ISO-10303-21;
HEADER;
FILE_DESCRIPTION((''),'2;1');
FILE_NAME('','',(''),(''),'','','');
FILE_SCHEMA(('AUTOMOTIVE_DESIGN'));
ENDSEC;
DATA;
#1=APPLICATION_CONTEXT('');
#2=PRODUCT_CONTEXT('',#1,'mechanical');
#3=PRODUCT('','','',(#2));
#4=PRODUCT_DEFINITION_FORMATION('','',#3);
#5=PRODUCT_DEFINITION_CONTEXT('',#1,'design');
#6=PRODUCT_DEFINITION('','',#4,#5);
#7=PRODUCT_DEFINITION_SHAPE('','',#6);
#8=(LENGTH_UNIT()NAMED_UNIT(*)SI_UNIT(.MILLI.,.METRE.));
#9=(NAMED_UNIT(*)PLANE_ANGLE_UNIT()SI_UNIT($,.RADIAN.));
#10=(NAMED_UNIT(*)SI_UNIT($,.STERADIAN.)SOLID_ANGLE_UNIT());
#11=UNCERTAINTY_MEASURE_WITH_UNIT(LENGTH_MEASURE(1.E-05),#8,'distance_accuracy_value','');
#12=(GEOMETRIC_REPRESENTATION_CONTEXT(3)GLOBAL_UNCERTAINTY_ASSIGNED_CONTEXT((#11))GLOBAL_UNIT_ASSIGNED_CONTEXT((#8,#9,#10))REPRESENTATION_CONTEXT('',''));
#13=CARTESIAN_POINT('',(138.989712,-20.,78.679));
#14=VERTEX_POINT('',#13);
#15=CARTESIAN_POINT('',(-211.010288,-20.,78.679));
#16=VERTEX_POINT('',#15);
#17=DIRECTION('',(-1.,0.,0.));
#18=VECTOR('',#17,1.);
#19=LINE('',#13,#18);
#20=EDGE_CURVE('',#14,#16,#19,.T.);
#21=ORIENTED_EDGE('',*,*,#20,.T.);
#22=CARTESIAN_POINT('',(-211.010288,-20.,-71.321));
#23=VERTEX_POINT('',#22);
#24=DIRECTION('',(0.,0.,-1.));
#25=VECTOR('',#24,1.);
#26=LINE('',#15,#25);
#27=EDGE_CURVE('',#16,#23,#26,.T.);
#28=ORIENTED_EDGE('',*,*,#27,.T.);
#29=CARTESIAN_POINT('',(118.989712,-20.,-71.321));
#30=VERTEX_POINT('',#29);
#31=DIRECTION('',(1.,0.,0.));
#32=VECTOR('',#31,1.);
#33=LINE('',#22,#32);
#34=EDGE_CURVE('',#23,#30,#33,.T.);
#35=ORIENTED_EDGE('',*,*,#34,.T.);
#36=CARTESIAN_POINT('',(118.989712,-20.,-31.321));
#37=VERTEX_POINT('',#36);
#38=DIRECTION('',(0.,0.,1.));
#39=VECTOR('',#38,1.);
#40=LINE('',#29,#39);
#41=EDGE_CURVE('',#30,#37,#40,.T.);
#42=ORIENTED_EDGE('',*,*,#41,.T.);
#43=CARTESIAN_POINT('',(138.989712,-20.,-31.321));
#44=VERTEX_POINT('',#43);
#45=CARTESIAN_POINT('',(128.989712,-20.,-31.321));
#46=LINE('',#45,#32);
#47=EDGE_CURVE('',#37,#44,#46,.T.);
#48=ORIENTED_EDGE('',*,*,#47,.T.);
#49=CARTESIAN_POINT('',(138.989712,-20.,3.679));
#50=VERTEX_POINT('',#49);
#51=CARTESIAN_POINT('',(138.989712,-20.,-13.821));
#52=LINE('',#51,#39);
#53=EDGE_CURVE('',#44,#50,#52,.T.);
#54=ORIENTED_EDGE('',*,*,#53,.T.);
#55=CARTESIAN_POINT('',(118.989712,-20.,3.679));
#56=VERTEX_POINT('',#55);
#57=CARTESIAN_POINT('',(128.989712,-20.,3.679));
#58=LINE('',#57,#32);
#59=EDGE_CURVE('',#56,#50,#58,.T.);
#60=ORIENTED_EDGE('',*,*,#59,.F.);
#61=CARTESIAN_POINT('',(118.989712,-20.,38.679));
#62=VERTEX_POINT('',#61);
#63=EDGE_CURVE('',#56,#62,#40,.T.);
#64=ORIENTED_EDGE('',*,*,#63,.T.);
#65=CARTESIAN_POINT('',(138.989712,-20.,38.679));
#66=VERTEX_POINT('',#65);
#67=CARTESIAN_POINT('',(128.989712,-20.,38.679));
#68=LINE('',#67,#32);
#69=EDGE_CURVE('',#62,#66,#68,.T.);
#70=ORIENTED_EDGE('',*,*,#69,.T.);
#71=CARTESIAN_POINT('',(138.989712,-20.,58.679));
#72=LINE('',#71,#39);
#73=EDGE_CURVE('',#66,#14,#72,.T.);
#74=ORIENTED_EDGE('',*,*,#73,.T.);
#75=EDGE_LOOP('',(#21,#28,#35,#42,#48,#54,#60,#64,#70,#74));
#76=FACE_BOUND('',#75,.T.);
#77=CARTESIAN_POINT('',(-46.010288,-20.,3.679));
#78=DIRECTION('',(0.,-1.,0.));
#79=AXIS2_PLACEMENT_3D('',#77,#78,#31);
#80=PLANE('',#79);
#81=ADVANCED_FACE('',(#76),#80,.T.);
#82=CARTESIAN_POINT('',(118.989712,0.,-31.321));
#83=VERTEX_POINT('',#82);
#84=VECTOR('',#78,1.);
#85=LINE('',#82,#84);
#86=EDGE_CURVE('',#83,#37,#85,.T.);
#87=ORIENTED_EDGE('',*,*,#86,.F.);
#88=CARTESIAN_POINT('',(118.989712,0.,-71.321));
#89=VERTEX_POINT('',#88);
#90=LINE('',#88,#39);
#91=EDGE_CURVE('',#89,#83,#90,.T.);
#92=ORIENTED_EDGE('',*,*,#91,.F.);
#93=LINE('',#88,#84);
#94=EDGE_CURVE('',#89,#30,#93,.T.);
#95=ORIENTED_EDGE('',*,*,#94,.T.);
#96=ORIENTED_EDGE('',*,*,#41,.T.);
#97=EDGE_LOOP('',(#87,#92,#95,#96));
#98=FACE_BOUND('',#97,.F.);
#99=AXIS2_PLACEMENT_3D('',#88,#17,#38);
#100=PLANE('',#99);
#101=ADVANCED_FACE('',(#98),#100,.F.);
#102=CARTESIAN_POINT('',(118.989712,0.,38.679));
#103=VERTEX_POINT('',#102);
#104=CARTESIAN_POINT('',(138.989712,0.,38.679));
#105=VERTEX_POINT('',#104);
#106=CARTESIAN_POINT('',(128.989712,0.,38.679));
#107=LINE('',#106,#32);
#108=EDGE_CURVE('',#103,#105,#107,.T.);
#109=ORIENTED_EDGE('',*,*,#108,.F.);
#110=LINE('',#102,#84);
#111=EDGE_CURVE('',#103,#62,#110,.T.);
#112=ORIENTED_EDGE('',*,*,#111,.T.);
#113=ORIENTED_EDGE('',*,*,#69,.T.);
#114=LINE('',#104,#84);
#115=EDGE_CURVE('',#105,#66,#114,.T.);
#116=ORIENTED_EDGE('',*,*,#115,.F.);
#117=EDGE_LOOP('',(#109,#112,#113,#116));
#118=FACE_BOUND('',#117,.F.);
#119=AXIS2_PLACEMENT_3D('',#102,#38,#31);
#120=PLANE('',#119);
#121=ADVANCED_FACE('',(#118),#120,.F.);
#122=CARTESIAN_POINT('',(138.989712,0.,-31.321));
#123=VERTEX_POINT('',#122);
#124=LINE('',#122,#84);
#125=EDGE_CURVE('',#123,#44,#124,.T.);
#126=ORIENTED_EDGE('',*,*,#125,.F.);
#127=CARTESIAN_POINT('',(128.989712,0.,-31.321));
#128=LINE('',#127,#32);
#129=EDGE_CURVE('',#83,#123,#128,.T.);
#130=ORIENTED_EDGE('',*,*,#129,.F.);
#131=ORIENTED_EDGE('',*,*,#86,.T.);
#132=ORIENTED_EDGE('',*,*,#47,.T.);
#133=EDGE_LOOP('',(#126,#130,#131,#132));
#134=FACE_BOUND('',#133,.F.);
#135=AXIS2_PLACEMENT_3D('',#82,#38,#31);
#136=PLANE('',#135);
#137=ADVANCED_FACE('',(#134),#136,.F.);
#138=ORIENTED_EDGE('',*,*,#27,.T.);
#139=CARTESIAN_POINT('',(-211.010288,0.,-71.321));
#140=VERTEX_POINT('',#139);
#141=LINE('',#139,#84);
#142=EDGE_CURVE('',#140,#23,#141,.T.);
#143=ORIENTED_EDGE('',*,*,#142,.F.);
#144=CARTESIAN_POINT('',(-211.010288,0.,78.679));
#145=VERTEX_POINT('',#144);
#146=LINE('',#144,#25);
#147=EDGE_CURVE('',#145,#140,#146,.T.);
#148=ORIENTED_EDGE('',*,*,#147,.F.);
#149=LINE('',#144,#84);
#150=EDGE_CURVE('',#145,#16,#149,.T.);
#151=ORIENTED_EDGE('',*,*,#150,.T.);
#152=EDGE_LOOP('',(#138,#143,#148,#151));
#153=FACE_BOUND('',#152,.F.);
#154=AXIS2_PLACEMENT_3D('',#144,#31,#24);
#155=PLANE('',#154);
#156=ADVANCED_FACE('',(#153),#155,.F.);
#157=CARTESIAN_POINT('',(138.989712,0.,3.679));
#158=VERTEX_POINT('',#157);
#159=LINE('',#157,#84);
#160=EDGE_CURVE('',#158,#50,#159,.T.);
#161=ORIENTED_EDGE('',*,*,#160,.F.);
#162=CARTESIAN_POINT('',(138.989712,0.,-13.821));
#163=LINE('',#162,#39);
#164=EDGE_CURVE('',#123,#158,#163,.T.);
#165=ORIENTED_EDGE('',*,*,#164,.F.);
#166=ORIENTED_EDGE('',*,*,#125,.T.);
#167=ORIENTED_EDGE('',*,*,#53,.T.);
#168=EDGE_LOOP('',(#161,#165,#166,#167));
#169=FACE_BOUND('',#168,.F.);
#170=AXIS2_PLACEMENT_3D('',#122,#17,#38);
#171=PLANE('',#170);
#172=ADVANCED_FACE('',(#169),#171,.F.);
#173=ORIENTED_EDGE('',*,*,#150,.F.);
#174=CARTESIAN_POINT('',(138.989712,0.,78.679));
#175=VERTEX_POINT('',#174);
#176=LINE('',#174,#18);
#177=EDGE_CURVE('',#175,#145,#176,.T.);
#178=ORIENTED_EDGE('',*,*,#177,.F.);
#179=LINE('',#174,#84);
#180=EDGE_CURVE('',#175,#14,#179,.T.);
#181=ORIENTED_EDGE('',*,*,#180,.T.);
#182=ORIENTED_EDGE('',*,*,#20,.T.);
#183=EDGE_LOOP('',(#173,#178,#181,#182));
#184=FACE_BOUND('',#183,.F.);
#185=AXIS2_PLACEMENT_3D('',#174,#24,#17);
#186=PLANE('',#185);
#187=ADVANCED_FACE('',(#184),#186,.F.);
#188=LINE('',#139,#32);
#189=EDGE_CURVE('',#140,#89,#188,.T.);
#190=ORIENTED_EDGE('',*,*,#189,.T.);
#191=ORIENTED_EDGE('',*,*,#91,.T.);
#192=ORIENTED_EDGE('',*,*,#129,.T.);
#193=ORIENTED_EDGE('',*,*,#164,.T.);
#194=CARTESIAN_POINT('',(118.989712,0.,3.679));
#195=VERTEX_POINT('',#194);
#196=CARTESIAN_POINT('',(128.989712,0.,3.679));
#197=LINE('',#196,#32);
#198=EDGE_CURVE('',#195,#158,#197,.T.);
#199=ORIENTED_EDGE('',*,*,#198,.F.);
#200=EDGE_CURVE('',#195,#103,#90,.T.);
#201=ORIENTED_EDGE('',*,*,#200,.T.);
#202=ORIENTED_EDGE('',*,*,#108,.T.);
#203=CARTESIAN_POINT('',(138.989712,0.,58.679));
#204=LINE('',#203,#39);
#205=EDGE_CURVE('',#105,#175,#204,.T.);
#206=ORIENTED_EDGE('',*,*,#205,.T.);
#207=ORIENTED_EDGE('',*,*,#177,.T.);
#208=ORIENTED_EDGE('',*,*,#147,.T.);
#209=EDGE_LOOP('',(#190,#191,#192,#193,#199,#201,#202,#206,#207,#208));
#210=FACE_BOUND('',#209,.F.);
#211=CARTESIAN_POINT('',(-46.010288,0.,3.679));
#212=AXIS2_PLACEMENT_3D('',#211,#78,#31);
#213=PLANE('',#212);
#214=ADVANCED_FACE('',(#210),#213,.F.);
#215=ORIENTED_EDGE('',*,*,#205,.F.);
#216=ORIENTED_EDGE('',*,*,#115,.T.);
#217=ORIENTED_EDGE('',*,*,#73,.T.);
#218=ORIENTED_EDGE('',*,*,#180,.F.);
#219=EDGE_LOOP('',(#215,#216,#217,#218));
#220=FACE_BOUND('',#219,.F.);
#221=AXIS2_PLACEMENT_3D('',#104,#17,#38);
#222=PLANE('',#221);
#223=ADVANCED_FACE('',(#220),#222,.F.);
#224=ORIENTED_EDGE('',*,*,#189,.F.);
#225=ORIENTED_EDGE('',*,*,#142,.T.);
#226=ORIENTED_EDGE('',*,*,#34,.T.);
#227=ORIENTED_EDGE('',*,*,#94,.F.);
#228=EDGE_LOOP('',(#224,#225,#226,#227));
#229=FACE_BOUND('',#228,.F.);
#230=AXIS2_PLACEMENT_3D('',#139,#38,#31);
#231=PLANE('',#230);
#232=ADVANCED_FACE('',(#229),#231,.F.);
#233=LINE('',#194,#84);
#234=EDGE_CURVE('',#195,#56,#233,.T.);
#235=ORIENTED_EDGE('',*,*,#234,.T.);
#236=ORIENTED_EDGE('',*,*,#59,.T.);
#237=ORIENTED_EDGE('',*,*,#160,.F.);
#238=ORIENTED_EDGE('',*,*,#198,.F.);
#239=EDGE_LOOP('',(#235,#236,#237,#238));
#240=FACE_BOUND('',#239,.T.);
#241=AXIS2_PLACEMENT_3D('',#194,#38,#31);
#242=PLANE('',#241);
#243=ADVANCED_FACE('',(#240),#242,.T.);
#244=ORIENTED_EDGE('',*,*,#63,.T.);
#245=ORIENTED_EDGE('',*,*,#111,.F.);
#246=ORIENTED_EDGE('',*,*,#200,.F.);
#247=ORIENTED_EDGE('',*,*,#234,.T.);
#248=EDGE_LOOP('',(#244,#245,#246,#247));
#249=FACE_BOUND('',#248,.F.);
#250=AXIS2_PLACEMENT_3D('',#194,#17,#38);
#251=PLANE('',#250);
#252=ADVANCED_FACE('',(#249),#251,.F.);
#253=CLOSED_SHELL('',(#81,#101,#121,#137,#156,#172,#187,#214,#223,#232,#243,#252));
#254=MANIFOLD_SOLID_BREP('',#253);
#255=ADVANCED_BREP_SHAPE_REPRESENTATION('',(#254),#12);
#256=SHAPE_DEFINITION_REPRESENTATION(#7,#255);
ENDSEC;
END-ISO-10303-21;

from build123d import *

# Parameters (mm, degrees)
F0_W     = 20
F0_H     = 40
F0_H_2   = 35
F1_DEPTH = 20


with BuildPart() as f1:
    # F0 (on Front) → F1 (new body)
    with BuildSketch(Plane.XZ):
        Polygon((118.989712, 78.679), (-211.010288, 78.679), (-211.010288, -71.321), (118.989712, -71.321), (118.989712, -31.321), (118.989712, 3.679), (118.989712, 38.679), align=None)
        with Locations((128.989712, 58.679)):
            Rectangle(F0_W, F0_H)
        with Locations((128.989712, -13.821)):
            Rectangle(F0_W, F0_H_2)
    extrude(amount=F1_DEPTH)


solid = f1.part
